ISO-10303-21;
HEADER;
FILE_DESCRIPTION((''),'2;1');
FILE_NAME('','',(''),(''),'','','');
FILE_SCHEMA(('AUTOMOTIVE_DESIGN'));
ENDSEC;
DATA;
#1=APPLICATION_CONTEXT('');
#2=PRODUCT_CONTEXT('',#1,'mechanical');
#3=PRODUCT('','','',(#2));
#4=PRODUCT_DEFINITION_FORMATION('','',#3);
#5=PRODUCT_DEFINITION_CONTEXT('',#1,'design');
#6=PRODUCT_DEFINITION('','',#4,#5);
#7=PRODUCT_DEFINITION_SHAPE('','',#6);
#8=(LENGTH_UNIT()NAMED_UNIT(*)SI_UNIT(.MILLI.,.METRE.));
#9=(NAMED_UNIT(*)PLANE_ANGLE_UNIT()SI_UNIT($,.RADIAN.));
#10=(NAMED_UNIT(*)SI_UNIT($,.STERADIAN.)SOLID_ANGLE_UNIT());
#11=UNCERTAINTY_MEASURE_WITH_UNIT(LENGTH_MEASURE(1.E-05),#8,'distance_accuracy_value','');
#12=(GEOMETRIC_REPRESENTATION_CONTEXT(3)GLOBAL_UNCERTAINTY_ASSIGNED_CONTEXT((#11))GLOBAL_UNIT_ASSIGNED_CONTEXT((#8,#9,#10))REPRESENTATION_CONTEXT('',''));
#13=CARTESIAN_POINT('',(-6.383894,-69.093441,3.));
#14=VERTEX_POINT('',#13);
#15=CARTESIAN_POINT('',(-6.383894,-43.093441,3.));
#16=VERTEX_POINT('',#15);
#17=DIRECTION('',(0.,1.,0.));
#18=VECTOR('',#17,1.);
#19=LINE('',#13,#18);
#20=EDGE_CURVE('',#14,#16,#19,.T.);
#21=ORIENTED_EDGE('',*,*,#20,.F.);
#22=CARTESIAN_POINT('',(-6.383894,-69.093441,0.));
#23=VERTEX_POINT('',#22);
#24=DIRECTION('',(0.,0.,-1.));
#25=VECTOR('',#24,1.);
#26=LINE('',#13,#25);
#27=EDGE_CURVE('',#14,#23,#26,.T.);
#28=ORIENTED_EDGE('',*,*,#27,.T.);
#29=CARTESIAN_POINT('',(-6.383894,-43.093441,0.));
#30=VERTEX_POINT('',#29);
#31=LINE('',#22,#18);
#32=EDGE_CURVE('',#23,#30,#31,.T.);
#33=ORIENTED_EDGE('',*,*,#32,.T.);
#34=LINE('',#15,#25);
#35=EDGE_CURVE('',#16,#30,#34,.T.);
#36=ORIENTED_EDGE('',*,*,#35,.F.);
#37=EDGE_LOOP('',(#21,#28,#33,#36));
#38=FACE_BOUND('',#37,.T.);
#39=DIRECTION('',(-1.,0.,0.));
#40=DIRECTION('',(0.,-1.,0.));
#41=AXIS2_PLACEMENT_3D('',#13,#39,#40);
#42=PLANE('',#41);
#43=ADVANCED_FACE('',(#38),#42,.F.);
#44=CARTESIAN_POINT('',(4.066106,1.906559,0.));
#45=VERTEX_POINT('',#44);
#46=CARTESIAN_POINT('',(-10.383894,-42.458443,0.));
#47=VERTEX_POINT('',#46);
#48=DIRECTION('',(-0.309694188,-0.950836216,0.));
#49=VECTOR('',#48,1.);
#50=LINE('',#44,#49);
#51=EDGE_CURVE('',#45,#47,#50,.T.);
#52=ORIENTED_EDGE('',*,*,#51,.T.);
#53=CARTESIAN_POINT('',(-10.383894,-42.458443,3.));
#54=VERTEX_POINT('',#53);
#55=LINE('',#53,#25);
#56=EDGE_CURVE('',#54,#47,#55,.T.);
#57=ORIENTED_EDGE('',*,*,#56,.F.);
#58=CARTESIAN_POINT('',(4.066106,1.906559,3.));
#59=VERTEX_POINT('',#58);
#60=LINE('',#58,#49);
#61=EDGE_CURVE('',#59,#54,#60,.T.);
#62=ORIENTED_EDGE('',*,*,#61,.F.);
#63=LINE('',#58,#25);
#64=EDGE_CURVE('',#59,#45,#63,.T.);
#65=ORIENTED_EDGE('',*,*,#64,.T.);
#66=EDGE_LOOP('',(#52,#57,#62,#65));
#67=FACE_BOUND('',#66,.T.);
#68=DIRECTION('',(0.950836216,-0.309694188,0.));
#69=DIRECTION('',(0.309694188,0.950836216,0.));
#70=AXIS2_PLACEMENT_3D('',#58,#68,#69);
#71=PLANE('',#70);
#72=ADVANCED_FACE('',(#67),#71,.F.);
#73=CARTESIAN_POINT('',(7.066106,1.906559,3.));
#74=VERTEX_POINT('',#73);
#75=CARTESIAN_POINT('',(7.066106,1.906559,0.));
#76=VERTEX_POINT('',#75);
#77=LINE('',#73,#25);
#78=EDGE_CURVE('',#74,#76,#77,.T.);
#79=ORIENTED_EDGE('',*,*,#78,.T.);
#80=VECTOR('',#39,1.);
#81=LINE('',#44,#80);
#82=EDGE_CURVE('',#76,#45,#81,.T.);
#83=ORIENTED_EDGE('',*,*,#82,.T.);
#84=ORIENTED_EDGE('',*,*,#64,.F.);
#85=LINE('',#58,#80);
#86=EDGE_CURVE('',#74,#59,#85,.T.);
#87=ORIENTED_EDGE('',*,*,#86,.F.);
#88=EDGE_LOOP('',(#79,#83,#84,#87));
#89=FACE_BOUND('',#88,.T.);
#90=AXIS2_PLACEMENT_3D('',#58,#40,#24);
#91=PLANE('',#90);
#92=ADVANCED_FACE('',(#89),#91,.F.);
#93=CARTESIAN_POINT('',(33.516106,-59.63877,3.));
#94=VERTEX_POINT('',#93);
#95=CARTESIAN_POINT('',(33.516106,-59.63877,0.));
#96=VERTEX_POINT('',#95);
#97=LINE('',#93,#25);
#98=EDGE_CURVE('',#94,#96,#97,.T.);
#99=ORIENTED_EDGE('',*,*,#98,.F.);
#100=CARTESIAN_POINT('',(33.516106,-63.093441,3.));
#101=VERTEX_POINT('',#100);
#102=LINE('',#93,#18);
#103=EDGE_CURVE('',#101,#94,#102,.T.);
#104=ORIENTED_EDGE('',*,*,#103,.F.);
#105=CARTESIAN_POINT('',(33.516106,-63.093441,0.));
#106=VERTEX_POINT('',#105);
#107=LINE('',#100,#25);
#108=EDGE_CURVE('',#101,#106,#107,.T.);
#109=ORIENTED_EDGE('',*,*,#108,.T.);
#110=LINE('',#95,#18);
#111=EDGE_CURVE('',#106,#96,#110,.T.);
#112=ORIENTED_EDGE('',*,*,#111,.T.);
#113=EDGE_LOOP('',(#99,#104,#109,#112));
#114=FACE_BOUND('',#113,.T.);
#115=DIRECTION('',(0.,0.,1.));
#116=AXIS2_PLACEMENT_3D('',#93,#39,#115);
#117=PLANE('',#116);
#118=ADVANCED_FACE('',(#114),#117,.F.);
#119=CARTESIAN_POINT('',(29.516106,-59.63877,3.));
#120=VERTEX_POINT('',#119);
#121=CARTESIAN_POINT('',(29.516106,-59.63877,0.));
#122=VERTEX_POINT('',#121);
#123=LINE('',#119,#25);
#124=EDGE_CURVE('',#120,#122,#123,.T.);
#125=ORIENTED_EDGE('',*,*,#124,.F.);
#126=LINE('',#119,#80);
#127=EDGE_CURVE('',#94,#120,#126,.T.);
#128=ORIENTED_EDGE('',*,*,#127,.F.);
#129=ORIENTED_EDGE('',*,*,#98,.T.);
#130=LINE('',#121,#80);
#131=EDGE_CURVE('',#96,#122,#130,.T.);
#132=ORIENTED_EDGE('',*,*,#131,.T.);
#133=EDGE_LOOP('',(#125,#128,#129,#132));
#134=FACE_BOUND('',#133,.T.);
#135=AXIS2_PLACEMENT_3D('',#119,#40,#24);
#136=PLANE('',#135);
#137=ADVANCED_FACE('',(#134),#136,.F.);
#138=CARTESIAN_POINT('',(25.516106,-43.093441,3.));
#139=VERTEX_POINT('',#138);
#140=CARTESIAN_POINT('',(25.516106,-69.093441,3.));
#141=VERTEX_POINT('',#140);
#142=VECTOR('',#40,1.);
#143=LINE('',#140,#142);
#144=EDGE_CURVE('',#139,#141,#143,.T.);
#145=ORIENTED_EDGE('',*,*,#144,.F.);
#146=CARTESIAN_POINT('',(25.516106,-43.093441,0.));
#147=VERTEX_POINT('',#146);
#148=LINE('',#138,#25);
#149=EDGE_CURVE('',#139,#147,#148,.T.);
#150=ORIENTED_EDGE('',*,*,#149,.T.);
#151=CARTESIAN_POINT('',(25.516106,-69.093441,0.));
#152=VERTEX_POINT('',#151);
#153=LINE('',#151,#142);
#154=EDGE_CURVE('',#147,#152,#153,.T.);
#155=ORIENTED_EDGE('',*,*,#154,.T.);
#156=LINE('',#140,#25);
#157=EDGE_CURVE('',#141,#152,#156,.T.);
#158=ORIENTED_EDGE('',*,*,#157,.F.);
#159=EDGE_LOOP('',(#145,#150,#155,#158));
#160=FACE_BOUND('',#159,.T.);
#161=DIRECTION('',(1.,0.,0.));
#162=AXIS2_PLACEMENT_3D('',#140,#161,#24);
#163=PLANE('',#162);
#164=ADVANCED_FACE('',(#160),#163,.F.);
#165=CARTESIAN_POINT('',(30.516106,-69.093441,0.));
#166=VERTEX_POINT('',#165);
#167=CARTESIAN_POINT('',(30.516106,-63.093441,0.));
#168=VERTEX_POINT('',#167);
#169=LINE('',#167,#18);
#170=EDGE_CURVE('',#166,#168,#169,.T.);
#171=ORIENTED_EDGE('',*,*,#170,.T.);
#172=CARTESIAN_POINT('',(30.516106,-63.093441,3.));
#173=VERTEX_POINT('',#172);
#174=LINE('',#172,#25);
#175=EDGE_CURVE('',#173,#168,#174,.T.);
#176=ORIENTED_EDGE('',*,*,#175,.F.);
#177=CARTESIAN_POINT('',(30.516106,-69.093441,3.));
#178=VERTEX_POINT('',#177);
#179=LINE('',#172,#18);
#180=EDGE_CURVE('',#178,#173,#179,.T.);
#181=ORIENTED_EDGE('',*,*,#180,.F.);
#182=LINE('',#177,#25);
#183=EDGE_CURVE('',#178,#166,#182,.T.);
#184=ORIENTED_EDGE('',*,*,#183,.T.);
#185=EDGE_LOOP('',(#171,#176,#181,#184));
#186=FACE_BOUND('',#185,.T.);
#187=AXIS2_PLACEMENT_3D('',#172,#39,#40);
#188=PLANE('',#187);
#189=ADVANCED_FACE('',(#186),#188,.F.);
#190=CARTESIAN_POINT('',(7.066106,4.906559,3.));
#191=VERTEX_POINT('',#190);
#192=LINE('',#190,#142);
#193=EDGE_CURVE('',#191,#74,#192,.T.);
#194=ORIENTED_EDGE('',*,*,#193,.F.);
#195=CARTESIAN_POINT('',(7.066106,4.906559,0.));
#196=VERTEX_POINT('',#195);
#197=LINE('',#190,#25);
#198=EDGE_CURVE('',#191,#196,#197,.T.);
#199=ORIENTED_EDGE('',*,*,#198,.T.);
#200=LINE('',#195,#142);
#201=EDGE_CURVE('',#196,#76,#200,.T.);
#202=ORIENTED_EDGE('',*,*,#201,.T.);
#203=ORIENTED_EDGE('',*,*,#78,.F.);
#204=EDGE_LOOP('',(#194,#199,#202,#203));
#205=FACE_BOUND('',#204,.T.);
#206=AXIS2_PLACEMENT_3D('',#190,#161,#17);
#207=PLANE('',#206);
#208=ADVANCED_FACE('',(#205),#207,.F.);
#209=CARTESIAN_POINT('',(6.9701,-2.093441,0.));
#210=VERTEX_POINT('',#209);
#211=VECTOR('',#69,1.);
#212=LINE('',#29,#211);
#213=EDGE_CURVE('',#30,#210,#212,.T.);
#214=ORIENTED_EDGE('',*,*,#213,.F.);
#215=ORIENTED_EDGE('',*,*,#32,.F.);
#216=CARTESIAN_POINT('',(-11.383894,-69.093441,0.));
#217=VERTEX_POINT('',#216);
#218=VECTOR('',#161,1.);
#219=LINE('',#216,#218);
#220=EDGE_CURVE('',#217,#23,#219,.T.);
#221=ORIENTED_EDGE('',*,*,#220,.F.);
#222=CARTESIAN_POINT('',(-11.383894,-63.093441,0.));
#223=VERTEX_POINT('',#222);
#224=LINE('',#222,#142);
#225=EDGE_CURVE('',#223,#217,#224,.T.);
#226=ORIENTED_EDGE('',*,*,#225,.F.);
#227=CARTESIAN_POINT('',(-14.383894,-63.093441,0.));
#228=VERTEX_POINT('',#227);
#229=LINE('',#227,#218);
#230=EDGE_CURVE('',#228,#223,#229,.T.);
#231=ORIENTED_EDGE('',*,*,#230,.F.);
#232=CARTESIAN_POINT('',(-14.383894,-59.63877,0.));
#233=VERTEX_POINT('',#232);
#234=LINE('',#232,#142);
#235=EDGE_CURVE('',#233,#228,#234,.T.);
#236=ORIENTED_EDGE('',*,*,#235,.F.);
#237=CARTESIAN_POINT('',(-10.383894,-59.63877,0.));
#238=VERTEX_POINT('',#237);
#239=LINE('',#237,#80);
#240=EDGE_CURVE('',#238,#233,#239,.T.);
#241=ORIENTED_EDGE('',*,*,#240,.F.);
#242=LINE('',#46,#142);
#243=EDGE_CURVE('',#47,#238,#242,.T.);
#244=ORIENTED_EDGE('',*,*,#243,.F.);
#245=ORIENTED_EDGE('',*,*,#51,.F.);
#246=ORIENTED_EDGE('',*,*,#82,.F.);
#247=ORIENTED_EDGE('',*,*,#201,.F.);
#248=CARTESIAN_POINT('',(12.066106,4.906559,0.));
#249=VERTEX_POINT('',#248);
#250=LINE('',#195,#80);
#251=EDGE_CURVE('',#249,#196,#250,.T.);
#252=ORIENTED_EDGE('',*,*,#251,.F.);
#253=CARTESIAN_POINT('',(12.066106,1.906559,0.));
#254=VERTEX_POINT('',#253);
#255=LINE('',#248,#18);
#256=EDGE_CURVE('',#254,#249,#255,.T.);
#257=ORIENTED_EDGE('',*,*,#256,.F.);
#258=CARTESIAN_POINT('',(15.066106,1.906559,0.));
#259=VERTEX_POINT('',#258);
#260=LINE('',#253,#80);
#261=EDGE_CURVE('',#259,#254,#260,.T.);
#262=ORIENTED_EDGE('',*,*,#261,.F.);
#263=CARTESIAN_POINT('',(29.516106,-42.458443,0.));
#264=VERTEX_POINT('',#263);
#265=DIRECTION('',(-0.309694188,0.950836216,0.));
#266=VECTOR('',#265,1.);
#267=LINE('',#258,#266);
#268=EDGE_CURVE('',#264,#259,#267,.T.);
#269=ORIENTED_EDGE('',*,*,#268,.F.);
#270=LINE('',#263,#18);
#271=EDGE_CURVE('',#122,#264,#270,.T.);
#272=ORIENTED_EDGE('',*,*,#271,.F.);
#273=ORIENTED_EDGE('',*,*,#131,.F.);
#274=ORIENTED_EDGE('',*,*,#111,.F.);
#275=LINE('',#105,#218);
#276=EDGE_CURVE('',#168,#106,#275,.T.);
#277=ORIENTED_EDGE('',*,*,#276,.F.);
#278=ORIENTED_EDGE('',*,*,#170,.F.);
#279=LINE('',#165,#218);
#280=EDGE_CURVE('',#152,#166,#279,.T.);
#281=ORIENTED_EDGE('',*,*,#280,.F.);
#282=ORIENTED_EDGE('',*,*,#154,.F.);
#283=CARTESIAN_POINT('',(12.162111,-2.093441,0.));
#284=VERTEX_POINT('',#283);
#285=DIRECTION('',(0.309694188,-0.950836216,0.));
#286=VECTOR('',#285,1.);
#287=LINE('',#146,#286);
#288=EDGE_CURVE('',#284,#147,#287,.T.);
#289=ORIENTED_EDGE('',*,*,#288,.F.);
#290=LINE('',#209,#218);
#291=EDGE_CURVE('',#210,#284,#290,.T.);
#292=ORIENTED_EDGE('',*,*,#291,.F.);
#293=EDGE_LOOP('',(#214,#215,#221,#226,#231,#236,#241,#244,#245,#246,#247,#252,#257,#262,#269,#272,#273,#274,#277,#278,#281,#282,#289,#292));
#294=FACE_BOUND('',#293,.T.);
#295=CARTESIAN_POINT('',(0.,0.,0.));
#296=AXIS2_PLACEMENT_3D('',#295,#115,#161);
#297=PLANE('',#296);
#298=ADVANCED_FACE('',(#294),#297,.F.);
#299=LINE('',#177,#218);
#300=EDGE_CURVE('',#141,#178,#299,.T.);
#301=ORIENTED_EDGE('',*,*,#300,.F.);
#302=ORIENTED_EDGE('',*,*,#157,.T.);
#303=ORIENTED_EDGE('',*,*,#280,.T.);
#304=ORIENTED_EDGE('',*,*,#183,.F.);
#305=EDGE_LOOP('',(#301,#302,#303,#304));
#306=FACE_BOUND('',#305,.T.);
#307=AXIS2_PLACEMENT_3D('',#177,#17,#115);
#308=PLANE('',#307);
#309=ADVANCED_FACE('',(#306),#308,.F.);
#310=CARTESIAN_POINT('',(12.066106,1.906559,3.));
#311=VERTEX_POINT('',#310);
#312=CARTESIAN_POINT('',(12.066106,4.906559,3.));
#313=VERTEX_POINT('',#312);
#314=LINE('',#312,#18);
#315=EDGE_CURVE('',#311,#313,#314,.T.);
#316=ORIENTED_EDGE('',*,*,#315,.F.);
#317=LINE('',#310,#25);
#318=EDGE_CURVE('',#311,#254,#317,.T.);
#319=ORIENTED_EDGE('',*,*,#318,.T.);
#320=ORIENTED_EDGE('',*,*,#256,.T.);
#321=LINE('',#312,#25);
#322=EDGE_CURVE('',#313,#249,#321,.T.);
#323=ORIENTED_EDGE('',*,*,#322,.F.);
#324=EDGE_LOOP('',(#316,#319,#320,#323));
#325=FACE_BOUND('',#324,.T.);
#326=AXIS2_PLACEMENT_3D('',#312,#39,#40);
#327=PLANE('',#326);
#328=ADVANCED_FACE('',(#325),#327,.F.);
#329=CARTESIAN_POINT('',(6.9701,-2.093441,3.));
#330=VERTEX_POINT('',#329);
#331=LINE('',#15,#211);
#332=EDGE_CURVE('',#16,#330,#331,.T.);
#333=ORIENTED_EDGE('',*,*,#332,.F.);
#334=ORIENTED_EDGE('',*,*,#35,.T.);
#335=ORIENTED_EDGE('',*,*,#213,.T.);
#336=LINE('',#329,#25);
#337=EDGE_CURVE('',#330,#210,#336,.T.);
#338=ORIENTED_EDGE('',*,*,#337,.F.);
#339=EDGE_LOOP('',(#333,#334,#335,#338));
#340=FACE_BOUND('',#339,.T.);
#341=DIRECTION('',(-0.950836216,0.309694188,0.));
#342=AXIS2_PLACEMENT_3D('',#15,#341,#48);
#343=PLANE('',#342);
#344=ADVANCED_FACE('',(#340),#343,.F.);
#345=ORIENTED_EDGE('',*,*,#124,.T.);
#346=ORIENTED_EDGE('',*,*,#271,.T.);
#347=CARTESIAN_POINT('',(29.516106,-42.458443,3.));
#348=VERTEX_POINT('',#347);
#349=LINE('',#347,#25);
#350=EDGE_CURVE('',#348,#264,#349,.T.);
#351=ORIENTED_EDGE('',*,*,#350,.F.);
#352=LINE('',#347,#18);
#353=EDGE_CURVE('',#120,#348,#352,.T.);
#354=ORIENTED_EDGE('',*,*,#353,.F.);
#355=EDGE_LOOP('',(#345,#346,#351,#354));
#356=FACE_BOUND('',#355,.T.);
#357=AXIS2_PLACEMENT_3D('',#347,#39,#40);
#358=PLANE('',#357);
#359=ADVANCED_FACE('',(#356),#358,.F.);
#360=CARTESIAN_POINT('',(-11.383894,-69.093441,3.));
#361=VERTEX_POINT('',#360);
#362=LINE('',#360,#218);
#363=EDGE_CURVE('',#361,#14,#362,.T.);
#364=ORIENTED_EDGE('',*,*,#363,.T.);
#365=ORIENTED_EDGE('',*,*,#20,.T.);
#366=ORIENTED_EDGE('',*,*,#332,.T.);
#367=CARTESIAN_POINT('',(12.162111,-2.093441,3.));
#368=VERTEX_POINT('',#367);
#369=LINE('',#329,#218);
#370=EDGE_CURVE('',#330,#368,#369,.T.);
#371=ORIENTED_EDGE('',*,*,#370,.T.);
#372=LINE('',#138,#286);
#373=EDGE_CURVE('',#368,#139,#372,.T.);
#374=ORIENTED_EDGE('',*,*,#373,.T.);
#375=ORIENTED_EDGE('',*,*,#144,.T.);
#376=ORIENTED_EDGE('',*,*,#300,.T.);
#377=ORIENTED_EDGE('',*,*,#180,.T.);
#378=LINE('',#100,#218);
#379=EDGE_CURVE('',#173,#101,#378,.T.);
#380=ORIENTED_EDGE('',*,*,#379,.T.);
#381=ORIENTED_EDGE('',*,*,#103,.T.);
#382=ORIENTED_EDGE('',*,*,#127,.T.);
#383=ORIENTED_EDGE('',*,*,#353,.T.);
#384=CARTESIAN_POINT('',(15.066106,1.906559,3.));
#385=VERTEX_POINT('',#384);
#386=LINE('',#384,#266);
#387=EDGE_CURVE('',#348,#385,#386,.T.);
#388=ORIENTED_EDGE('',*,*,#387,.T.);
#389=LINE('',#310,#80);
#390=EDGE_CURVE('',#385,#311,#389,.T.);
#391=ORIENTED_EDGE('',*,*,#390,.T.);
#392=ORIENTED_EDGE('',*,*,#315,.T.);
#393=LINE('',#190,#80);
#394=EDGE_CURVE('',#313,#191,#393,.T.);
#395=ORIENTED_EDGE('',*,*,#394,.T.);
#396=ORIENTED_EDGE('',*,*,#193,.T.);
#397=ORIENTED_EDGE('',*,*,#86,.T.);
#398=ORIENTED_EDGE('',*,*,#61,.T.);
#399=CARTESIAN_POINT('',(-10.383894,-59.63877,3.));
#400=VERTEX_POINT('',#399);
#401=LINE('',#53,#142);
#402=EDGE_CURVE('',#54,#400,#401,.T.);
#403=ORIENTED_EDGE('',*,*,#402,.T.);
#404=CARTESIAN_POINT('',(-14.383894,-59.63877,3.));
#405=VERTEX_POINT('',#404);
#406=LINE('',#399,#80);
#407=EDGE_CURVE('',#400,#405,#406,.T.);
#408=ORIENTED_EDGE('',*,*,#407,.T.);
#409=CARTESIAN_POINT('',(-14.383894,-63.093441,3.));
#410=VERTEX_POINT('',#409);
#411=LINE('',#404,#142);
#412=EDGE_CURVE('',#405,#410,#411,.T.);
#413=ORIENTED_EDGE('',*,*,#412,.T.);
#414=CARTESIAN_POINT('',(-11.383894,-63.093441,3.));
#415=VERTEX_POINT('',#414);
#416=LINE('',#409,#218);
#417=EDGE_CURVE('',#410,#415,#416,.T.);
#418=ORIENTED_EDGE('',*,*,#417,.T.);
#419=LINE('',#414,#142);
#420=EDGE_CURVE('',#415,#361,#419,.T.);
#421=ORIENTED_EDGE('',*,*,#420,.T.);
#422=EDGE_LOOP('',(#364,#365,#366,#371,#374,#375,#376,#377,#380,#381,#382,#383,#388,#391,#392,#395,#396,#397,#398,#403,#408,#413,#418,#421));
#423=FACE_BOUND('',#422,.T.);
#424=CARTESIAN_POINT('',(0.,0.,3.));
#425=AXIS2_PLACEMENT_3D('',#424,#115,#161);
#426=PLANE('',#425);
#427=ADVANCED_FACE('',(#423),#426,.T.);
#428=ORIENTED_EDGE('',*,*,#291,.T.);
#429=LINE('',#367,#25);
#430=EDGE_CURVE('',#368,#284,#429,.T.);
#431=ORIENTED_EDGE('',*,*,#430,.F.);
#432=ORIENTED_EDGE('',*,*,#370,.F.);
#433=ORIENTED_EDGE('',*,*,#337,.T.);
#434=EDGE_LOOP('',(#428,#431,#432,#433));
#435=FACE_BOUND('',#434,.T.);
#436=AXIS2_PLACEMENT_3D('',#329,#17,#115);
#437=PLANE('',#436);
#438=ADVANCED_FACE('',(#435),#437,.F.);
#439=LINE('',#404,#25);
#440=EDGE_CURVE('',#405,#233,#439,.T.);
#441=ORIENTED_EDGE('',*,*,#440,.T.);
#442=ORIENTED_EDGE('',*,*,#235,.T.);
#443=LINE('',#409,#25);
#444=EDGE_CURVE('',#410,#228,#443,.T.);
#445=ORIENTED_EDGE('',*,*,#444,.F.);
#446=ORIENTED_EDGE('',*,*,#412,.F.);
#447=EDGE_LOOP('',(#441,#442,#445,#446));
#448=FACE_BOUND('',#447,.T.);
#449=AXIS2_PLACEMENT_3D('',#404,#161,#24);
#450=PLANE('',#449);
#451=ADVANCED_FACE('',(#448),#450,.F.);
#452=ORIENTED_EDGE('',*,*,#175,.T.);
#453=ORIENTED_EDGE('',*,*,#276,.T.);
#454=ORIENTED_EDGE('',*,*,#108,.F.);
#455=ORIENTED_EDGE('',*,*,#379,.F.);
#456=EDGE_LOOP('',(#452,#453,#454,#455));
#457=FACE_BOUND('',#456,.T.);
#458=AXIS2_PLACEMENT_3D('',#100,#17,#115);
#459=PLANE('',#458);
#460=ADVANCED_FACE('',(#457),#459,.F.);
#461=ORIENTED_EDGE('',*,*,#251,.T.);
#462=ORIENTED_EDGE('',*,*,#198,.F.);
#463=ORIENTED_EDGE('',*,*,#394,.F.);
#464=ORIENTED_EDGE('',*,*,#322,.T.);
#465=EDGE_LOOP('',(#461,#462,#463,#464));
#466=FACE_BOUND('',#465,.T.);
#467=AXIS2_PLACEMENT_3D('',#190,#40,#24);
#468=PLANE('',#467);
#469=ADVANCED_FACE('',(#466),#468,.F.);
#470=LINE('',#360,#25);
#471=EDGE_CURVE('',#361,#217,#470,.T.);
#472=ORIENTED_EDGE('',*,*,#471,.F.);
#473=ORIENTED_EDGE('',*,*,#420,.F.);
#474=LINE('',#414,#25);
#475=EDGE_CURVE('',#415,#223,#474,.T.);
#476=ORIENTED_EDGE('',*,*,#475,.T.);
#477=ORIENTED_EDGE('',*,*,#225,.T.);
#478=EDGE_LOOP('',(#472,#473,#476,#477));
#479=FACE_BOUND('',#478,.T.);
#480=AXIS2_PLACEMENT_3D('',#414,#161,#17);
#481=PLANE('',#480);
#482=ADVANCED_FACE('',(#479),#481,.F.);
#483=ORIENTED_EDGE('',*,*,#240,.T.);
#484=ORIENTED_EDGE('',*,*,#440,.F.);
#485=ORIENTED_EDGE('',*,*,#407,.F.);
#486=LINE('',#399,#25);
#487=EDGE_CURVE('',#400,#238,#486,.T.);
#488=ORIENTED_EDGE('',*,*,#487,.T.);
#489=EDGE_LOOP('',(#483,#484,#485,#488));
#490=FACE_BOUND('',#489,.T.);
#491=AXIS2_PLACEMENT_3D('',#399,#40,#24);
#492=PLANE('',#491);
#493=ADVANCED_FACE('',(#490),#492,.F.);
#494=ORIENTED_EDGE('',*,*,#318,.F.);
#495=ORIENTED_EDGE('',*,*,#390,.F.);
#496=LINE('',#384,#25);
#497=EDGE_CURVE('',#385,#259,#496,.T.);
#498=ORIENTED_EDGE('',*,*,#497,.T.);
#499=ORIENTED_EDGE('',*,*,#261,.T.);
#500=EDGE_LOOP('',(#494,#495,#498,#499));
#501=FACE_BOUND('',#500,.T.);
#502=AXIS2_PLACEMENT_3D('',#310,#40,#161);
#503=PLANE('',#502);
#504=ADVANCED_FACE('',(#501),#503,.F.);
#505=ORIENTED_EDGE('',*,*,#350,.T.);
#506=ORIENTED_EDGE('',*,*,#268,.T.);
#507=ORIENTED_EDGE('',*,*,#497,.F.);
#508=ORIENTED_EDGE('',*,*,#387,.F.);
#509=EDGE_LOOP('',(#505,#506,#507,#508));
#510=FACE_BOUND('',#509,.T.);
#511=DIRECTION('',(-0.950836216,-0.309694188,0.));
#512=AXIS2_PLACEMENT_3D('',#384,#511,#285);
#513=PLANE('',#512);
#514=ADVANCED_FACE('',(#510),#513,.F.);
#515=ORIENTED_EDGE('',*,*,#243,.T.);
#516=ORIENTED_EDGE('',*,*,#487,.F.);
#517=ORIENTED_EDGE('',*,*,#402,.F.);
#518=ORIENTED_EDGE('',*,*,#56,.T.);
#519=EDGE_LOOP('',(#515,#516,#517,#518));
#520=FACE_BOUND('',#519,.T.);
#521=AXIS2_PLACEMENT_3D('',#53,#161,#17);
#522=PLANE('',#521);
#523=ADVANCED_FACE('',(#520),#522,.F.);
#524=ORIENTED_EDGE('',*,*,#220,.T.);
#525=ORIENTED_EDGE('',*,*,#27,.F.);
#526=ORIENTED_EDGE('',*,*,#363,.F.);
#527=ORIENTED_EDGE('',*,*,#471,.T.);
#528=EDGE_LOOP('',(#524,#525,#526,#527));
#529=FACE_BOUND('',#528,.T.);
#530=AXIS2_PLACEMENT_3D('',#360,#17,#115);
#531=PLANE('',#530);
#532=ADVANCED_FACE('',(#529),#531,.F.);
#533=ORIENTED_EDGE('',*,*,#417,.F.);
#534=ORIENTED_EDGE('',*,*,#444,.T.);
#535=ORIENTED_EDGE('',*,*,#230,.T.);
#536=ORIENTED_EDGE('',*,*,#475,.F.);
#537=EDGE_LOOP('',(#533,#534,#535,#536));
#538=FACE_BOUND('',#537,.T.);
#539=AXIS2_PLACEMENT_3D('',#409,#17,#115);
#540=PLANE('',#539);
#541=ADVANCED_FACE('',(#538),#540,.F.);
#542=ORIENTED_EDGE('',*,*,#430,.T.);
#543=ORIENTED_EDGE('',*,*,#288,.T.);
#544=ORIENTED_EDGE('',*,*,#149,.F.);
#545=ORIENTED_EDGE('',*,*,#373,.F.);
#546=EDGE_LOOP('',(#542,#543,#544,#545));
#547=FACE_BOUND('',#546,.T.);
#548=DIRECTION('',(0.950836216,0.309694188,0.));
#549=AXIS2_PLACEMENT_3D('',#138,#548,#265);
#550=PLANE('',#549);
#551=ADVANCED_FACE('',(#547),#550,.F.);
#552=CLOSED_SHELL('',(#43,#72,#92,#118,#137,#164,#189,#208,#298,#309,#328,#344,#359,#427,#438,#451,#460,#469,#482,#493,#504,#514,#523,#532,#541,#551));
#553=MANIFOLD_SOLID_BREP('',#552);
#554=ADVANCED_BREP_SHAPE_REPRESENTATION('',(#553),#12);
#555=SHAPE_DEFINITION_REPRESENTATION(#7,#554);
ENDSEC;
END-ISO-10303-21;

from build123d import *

# Parameters (mm, degrees)
BOSS_EXTRUDE1_DEPTH = 3


with BuildPart() as part:
    # Sketch1 → Boss-Extrude1 (new body)
    with BuildSketch(Plane.XY):
        Polygon((-6.383894407, -69.093441029), (-6.383894407, -43.093441029), (6.970100205, -2.093441029), (12.162110982, -2.093441029), (25.516105593, -43.093441029), (25.516105593, -69.093441029), (30.516105593, -69.093441029), (30.516105593, -63.093441029), (33.516105593, -63.093441029), (33.516105593, -59.638769888), (29.516105593, -59.638769888), (29.516105593, -42.458443205), (15.066105593, 1.906558971), (12.066105593, 1.906558971), (12.066105593, 4.906558971), (7.066105593, 4.906558971), (7.066105593, 1.906558971), (4.066105593, 1.906558971), (-10.383894407, -42.458443205), (-10.383894407, -59.638769888), (-14.383894407, -59.638769888), (-14.383894407, -63.093441029), (-11.383894407, -63.093441029), (-11.383894407, -69.093441029), align=None)
    extrude(amount=BOSS_EXTRUDE1_DEPTH)


solid = part.part
